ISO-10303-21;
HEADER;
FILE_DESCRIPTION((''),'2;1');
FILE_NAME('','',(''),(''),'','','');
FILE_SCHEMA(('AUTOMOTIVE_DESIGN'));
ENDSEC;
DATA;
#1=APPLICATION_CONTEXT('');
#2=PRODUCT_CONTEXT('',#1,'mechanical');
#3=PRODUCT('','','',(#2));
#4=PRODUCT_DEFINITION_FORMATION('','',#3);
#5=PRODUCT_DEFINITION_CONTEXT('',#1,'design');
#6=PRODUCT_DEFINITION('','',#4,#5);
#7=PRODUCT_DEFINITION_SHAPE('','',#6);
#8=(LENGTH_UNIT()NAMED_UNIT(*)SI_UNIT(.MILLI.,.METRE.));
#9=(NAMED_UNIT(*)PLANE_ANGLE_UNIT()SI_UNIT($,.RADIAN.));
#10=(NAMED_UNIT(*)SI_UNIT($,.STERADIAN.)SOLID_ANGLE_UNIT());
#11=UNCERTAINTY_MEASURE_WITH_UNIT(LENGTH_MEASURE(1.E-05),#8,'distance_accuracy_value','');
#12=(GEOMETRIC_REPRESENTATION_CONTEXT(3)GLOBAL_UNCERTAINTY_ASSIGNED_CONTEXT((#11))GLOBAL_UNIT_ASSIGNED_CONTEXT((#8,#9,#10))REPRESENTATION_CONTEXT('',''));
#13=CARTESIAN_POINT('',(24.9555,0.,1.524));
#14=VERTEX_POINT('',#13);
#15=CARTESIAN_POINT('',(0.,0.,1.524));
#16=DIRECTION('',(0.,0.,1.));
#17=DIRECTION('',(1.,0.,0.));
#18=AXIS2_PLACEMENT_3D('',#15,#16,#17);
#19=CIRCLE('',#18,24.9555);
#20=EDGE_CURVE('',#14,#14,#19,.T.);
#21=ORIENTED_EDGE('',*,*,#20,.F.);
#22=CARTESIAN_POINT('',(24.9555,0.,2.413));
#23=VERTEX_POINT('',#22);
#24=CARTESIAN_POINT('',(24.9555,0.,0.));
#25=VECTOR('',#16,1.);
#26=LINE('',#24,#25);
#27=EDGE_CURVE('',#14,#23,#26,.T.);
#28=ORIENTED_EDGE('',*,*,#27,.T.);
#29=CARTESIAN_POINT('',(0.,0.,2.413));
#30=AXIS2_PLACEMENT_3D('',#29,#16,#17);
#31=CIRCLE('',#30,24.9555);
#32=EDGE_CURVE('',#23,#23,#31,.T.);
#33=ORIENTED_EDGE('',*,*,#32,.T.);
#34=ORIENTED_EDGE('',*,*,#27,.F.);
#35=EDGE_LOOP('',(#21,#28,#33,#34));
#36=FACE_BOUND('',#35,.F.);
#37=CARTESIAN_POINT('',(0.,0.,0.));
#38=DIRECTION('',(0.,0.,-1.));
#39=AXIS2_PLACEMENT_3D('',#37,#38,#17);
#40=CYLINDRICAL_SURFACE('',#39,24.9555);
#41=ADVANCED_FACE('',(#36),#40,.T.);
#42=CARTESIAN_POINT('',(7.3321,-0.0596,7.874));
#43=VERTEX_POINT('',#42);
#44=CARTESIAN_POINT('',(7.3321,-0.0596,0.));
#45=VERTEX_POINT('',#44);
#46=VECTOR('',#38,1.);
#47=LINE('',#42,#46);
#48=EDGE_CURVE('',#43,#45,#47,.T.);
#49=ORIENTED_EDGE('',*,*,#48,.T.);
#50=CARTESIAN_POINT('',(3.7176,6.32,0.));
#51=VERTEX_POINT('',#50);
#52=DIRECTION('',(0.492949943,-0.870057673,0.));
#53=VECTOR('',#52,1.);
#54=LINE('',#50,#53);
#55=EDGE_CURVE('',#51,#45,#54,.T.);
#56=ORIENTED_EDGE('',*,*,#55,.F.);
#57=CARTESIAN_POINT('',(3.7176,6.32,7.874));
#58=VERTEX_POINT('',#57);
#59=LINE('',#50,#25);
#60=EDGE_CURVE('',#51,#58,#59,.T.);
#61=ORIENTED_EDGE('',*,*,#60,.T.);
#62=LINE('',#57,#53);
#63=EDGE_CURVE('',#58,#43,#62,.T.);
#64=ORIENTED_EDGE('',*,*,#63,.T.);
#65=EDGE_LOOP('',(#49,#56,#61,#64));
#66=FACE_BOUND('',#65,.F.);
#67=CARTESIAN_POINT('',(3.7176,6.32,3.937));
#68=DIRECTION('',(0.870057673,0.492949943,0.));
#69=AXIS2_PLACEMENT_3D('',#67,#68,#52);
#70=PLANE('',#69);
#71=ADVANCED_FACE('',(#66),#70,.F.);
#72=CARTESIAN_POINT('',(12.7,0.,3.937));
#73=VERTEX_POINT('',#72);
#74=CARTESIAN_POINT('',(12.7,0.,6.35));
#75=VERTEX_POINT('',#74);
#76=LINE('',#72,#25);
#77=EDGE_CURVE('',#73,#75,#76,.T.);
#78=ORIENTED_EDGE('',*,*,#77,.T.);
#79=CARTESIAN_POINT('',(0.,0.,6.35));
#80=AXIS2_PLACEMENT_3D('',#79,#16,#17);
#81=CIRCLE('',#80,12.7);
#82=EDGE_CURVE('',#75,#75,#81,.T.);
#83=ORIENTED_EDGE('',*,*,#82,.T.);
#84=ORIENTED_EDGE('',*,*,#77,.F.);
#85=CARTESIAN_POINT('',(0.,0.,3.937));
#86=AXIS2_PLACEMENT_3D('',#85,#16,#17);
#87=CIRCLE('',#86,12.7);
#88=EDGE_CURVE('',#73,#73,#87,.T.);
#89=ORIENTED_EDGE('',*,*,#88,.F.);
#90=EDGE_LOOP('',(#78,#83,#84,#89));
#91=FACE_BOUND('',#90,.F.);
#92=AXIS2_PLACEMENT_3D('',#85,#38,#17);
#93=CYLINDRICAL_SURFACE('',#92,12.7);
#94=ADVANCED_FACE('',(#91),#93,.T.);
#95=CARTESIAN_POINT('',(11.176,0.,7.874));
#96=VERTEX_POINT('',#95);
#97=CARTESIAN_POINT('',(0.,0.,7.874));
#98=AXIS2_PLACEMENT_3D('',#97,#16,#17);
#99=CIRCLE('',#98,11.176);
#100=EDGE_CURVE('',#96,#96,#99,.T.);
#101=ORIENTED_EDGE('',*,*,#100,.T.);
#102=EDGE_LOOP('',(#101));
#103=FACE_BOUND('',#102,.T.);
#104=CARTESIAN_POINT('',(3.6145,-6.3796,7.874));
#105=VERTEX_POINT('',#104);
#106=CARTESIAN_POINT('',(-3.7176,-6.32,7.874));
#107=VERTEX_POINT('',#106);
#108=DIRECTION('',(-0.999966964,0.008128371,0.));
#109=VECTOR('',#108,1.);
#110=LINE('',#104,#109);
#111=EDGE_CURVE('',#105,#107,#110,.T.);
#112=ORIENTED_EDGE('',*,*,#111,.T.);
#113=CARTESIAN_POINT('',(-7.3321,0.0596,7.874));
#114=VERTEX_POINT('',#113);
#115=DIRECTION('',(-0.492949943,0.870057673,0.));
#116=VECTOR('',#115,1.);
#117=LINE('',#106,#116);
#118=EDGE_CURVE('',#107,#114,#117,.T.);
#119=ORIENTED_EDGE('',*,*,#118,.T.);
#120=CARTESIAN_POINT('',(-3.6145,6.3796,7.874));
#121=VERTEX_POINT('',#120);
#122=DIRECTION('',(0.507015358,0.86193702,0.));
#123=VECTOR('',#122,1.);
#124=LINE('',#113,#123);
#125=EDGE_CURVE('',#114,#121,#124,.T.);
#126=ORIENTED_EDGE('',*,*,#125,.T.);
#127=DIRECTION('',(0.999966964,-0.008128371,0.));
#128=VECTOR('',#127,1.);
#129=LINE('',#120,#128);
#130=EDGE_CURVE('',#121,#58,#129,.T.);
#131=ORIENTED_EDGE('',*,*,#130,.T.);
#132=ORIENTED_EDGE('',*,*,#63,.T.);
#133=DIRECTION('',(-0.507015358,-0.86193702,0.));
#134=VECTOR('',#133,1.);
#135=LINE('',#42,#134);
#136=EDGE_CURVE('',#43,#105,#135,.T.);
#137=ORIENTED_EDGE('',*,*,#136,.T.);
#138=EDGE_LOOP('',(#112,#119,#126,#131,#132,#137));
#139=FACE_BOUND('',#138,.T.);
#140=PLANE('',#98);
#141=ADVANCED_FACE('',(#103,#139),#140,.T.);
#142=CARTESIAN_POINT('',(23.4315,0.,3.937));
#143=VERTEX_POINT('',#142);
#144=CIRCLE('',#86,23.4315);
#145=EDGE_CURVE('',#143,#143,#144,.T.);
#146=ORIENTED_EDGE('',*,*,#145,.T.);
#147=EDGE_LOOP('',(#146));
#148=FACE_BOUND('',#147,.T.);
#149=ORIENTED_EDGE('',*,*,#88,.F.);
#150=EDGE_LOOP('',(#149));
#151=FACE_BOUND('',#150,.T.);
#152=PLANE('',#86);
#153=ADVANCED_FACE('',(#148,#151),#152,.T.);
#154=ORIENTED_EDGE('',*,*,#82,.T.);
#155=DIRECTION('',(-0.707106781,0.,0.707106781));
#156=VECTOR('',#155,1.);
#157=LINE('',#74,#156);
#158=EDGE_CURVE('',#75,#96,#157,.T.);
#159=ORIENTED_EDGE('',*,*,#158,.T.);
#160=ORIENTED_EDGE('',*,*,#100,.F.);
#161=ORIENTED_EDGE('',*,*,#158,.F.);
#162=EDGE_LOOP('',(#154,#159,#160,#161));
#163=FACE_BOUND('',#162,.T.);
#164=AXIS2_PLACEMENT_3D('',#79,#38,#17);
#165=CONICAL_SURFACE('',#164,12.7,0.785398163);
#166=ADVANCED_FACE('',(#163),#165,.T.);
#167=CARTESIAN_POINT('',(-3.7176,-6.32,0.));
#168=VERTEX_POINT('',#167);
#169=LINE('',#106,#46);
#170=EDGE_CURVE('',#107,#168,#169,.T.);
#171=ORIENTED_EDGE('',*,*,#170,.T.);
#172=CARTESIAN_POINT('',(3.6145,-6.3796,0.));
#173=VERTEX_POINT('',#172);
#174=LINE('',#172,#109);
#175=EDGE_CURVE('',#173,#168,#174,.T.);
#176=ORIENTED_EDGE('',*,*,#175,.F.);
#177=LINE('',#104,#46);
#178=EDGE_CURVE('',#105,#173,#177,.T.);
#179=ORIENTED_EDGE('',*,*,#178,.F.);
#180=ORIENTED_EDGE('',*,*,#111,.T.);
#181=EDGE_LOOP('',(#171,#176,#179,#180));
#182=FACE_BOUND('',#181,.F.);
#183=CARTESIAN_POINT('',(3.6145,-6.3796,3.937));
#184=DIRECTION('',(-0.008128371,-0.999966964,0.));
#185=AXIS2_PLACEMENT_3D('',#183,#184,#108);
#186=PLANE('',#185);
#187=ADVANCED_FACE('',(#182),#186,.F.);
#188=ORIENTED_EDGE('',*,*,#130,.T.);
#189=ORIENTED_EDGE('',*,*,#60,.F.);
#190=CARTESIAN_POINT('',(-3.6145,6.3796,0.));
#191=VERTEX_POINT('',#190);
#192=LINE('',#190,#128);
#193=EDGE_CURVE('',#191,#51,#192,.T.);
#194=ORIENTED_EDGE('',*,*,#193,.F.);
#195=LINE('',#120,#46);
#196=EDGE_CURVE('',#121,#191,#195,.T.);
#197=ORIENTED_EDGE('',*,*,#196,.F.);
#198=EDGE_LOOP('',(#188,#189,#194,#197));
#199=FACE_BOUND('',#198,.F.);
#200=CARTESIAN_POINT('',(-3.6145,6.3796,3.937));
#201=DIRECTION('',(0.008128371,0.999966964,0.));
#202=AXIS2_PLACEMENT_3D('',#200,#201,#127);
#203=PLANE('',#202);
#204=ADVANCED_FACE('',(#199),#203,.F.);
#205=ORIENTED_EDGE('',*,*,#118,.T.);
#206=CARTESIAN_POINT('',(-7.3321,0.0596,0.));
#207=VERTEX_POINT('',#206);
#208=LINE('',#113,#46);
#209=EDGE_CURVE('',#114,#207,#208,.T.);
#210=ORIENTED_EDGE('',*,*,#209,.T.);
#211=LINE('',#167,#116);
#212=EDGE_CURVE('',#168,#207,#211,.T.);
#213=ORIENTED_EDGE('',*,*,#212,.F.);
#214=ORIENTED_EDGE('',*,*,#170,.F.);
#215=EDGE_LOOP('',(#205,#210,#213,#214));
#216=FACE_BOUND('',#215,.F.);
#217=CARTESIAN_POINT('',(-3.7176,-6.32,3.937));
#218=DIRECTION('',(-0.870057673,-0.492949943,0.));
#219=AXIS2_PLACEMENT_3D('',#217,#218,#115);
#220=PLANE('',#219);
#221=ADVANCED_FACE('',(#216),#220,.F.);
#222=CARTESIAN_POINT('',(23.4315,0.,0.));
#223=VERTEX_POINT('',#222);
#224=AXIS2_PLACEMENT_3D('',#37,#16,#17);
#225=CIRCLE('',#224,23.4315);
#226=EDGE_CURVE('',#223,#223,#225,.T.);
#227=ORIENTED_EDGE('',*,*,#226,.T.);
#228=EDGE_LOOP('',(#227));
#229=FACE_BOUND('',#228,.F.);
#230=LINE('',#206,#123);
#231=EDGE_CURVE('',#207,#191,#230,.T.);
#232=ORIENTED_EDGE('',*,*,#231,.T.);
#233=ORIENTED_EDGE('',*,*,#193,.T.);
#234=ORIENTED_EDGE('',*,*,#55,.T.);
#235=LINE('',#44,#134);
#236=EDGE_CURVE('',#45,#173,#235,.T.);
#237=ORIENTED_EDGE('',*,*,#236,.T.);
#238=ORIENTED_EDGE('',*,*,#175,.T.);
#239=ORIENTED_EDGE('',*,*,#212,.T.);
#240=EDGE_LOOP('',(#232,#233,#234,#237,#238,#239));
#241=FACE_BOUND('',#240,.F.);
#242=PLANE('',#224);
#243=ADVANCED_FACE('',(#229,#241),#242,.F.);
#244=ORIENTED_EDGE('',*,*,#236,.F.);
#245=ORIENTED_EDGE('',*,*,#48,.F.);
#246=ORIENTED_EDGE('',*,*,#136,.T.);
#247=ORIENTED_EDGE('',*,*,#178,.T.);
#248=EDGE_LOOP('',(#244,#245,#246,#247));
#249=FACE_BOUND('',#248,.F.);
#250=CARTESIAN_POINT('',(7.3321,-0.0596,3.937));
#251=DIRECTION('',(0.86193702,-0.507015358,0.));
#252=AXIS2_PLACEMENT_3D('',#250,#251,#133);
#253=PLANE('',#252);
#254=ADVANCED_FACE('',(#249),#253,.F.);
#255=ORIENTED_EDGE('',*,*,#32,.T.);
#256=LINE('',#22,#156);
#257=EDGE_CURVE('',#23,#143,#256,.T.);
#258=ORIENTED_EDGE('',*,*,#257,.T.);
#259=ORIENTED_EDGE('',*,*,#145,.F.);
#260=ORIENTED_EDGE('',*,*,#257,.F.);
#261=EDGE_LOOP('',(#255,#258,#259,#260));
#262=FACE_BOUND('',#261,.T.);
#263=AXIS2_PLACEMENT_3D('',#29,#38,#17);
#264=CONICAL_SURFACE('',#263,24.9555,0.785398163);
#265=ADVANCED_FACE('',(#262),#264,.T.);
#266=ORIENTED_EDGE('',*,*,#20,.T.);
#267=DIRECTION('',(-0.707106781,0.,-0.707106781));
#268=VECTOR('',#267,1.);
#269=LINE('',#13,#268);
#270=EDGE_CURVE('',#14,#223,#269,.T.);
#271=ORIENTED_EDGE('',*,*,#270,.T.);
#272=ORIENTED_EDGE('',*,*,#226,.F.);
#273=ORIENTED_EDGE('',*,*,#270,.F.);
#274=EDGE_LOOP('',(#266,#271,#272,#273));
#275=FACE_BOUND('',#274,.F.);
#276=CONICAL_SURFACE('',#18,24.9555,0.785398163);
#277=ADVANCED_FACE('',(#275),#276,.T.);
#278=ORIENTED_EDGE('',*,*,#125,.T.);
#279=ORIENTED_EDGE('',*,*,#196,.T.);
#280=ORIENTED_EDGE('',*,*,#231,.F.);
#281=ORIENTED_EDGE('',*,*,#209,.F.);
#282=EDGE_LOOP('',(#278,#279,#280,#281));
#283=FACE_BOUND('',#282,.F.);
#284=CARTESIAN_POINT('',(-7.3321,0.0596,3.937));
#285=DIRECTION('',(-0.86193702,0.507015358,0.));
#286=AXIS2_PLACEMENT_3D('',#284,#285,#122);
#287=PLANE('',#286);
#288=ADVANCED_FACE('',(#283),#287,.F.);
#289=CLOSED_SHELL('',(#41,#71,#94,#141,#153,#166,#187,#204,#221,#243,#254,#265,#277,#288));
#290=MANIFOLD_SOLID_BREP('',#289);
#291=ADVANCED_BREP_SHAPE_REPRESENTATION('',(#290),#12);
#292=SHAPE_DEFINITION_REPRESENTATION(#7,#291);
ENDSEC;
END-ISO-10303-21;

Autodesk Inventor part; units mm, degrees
ref_plane "YZ Plane" through (0, 0, 0) normal (1, 0, 0) x (0, 1, 0)
ref_plane "XZ Plane" through (0, 0, 0) normal (0, 1, 0) x (-1, 0, 0)
ref_plane "XY Plane" through (0, 0, 0) normal (0, 0, 1) x (1, 0, 0)
sketch "Sketch1" plane through (0, 0, 0) normal (0, 0, 1) x (1, 0, 0)
  circle A0 centre (0, 0) radius 24.9555
  line L0 (3.7176, 6.32) -> (7.3321, -0.0596)
  line L1 (7.3321, -0.0596) -> (3.6145, -6.3796)
  line L2 (3.6145, -6.3796) -> (-3.7176, -6.32)
  line L3 (-3.7176, -6.32) -> (-7.3321, 0.0596)
  line L4 (-7.3321, 0.0596) -> (-3.6145, 6.3796)
  line L5 (-3.6145, 6.3796) -> (3.7176, 6.32)
  dimension "d0" = 49.911
  dimension "d14" = 6.35
extrude "Extrusion3" add sketch "Sketch1" along normal blind 3.937
chamfer "Chamfer3" distance 1.524 angle 45 1 edges at (-24.9555, 0, 3.937)
chamfer "Chamfer4" distance 1.524 angle 45 1 edges at (-24.9555, 0, 0)
sketch "Sketch4" plane through (0, 0, 3.937) normal (0, 0, 1) x (1, 0, 0)
  circle A0 centre (0, 0) radius 23.4315 projected
  line L0 (3.7176, 6.32) -> (7.3321, -0.0596)
  line L1 (7.3321, -0.0596) -> (3.6145, -6.3796)
  line L2 (3.6145, -6.3796) -> (-3.7176, -6.32)
  line L3 (-3.7176, -6.32) -> (-7.3321, 0.0596)
  line L4 (-7.3321, 0.0596) -> (-3.6145, 6.3796)
  line L5 (-3.6145, 6.3796) -> (3.7176, 6.32)
  circle A1 centre (0, 0) radius 12.7
  dimension "d23" = 25.4
extrude "Extrusion4" add sketch "Sketch4" along normal blind 3.937 contours A1
chamfer "Chamfer5" distance 1.524 angle 45 1 edges at (-12.7, 0, 7.874)
properties part number "Sprocket Large"
